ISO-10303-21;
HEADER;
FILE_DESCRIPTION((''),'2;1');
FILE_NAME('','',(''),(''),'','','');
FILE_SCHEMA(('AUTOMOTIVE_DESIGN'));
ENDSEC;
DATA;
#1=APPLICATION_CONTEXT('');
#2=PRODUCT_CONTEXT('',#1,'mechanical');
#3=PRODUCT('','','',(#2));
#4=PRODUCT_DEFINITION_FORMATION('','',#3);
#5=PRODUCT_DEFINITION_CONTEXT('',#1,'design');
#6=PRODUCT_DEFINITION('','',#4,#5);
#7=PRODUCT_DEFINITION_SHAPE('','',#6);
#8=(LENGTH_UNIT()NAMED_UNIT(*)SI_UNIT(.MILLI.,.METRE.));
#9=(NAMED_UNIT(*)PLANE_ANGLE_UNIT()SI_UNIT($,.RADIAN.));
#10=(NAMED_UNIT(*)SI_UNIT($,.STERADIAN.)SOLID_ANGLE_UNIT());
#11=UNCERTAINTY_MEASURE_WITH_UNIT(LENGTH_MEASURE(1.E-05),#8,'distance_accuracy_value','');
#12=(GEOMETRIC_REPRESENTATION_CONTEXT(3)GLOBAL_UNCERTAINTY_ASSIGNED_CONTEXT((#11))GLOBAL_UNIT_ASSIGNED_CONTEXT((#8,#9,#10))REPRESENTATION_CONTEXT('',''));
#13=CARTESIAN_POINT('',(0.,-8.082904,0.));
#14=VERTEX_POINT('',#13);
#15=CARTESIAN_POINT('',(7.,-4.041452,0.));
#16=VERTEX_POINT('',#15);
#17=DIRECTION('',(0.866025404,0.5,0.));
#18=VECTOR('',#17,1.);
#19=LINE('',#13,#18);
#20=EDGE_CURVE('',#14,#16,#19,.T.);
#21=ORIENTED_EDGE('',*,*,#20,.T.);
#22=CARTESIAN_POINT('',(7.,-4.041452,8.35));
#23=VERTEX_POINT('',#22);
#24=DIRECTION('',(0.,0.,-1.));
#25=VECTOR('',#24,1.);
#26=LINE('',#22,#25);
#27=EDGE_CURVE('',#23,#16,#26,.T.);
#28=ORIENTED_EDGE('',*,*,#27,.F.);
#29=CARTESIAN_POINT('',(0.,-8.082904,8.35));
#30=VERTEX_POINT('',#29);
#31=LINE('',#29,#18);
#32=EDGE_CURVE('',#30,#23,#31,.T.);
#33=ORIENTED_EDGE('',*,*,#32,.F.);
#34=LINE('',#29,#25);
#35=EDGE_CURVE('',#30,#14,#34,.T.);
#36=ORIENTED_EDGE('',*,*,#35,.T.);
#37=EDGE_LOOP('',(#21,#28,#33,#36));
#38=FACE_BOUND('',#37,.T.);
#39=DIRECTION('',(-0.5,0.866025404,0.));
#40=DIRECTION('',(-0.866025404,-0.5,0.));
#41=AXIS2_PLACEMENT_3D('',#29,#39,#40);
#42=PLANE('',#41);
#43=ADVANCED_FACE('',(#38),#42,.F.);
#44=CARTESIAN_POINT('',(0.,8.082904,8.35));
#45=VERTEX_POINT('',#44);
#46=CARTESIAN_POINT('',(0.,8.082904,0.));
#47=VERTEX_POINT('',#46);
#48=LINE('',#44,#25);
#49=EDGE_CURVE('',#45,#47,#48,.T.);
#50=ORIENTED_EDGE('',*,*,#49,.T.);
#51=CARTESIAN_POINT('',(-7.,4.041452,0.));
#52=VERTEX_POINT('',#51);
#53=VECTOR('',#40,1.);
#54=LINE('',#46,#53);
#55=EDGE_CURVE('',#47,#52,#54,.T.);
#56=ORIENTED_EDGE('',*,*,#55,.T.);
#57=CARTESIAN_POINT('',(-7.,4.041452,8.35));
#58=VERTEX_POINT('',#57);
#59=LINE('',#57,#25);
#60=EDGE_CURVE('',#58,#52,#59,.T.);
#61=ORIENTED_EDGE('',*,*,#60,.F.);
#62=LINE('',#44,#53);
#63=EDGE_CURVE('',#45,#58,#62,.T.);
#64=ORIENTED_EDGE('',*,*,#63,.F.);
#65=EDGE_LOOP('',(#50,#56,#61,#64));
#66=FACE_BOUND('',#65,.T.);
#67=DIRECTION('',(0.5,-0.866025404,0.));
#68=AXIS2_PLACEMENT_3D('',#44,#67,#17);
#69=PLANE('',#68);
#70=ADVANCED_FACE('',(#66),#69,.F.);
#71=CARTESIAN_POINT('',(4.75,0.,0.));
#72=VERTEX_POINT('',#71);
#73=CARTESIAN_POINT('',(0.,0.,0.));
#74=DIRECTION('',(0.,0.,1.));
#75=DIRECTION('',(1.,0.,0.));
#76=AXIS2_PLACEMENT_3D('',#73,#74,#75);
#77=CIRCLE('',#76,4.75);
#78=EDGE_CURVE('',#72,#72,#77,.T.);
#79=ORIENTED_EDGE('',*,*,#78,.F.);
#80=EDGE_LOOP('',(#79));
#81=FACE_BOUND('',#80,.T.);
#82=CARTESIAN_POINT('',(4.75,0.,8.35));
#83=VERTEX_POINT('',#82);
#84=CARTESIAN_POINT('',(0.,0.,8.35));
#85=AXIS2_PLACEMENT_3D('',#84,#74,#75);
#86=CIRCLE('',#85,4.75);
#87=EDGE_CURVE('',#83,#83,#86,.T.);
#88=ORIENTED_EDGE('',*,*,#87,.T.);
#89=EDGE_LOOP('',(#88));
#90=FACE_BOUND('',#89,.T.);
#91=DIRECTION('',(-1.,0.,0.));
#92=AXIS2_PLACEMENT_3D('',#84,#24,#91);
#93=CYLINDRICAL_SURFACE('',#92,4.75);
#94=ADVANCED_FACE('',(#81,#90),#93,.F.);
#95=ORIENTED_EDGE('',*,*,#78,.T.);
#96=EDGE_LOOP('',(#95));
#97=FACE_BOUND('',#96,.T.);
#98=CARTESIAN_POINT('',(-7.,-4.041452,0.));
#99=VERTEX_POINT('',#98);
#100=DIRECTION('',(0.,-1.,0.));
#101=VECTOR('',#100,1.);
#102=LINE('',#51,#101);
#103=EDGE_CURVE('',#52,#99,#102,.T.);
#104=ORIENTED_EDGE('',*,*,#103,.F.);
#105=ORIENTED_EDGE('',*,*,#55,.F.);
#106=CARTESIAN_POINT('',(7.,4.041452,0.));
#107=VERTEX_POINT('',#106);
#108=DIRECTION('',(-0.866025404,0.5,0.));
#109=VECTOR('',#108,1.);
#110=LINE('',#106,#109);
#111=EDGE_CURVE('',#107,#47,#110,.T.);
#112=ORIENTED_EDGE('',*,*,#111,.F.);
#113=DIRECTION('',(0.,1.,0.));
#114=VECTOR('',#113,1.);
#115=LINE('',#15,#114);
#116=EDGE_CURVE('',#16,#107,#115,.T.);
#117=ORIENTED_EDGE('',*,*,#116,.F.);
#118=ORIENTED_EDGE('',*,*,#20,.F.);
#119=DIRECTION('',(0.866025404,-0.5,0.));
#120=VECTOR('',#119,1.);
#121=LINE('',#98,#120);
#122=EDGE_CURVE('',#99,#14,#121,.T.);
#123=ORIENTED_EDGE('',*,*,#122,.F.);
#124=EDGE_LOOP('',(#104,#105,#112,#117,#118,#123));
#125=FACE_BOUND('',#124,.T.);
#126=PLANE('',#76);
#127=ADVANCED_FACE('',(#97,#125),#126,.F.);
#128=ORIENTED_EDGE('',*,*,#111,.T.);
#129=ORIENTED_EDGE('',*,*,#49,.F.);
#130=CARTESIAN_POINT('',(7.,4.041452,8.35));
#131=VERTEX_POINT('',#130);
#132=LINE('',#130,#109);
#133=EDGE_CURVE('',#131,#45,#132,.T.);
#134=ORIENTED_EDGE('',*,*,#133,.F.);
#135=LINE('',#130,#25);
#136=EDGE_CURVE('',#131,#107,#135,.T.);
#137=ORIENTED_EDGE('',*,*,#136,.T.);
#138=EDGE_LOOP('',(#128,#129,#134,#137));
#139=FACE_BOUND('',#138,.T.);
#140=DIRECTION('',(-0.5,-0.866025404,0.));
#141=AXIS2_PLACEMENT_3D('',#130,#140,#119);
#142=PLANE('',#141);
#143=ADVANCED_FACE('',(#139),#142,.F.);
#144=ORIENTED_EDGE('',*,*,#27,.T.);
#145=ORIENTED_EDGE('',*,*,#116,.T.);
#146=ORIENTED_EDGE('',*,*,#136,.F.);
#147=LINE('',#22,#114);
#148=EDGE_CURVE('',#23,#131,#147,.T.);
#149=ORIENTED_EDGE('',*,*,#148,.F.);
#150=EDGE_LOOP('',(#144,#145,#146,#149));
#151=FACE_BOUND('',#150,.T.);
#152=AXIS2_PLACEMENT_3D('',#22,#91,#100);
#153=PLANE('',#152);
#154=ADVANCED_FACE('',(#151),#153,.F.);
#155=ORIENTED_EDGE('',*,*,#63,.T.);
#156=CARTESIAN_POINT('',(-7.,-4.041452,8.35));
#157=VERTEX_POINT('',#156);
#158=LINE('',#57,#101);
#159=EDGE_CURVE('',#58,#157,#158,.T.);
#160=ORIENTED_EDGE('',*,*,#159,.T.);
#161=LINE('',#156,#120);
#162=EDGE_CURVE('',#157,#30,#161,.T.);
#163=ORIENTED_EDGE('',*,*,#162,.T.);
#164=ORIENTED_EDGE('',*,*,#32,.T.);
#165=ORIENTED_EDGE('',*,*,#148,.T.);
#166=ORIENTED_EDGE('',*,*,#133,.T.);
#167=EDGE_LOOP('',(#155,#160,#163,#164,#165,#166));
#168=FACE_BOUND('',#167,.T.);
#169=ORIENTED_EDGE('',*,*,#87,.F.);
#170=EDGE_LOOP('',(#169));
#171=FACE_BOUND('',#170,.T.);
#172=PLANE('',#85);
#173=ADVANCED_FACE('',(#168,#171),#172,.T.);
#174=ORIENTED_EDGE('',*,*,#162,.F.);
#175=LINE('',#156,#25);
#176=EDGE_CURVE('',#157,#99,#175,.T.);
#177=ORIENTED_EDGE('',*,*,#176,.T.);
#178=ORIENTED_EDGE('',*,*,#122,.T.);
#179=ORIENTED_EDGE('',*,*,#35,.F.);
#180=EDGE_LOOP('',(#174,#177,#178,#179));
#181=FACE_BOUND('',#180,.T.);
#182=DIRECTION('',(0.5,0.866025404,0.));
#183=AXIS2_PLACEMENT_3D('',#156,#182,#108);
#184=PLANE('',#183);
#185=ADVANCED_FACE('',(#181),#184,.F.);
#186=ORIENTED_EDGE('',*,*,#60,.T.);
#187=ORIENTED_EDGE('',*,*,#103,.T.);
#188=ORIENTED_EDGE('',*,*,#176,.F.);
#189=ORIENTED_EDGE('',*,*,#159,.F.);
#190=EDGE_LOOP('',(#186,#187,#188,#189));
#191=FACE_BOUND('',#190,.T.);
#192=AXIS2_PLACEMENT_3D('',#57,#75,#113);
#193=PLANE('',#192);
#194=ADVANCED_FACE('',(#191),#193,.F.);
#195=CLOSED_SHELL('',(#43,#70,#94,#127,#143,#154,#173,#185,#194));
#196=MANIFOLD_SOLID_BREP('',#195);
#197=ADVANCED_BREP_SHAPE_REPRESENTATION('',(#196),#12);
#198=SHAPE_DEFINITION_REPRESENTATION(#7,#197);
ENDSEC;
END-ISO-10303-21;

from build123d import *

# Parameters (mm, degrees)
SKETCH1_R           = 4.75
BOSS_EXTRUDE1_DEPTH = 8.35


with BuildPart() as part:
    # Sketch1 → Boss-Extrude1 (new body)
    with BuildSketch(Plane.XY):
        Polygon((7, 4.041451884), (0, 8.082903769), (-7, 4.041451884), (-7, -4.041451884), (0, -8.082903769), (7, -4.041451884), align=None)
        Circle(SKETCH1_R, mode=Mode.SUBTRACT)
    extrude(amount=BOSS_EXTRUDE1_DEPTH)


solid = part.part
